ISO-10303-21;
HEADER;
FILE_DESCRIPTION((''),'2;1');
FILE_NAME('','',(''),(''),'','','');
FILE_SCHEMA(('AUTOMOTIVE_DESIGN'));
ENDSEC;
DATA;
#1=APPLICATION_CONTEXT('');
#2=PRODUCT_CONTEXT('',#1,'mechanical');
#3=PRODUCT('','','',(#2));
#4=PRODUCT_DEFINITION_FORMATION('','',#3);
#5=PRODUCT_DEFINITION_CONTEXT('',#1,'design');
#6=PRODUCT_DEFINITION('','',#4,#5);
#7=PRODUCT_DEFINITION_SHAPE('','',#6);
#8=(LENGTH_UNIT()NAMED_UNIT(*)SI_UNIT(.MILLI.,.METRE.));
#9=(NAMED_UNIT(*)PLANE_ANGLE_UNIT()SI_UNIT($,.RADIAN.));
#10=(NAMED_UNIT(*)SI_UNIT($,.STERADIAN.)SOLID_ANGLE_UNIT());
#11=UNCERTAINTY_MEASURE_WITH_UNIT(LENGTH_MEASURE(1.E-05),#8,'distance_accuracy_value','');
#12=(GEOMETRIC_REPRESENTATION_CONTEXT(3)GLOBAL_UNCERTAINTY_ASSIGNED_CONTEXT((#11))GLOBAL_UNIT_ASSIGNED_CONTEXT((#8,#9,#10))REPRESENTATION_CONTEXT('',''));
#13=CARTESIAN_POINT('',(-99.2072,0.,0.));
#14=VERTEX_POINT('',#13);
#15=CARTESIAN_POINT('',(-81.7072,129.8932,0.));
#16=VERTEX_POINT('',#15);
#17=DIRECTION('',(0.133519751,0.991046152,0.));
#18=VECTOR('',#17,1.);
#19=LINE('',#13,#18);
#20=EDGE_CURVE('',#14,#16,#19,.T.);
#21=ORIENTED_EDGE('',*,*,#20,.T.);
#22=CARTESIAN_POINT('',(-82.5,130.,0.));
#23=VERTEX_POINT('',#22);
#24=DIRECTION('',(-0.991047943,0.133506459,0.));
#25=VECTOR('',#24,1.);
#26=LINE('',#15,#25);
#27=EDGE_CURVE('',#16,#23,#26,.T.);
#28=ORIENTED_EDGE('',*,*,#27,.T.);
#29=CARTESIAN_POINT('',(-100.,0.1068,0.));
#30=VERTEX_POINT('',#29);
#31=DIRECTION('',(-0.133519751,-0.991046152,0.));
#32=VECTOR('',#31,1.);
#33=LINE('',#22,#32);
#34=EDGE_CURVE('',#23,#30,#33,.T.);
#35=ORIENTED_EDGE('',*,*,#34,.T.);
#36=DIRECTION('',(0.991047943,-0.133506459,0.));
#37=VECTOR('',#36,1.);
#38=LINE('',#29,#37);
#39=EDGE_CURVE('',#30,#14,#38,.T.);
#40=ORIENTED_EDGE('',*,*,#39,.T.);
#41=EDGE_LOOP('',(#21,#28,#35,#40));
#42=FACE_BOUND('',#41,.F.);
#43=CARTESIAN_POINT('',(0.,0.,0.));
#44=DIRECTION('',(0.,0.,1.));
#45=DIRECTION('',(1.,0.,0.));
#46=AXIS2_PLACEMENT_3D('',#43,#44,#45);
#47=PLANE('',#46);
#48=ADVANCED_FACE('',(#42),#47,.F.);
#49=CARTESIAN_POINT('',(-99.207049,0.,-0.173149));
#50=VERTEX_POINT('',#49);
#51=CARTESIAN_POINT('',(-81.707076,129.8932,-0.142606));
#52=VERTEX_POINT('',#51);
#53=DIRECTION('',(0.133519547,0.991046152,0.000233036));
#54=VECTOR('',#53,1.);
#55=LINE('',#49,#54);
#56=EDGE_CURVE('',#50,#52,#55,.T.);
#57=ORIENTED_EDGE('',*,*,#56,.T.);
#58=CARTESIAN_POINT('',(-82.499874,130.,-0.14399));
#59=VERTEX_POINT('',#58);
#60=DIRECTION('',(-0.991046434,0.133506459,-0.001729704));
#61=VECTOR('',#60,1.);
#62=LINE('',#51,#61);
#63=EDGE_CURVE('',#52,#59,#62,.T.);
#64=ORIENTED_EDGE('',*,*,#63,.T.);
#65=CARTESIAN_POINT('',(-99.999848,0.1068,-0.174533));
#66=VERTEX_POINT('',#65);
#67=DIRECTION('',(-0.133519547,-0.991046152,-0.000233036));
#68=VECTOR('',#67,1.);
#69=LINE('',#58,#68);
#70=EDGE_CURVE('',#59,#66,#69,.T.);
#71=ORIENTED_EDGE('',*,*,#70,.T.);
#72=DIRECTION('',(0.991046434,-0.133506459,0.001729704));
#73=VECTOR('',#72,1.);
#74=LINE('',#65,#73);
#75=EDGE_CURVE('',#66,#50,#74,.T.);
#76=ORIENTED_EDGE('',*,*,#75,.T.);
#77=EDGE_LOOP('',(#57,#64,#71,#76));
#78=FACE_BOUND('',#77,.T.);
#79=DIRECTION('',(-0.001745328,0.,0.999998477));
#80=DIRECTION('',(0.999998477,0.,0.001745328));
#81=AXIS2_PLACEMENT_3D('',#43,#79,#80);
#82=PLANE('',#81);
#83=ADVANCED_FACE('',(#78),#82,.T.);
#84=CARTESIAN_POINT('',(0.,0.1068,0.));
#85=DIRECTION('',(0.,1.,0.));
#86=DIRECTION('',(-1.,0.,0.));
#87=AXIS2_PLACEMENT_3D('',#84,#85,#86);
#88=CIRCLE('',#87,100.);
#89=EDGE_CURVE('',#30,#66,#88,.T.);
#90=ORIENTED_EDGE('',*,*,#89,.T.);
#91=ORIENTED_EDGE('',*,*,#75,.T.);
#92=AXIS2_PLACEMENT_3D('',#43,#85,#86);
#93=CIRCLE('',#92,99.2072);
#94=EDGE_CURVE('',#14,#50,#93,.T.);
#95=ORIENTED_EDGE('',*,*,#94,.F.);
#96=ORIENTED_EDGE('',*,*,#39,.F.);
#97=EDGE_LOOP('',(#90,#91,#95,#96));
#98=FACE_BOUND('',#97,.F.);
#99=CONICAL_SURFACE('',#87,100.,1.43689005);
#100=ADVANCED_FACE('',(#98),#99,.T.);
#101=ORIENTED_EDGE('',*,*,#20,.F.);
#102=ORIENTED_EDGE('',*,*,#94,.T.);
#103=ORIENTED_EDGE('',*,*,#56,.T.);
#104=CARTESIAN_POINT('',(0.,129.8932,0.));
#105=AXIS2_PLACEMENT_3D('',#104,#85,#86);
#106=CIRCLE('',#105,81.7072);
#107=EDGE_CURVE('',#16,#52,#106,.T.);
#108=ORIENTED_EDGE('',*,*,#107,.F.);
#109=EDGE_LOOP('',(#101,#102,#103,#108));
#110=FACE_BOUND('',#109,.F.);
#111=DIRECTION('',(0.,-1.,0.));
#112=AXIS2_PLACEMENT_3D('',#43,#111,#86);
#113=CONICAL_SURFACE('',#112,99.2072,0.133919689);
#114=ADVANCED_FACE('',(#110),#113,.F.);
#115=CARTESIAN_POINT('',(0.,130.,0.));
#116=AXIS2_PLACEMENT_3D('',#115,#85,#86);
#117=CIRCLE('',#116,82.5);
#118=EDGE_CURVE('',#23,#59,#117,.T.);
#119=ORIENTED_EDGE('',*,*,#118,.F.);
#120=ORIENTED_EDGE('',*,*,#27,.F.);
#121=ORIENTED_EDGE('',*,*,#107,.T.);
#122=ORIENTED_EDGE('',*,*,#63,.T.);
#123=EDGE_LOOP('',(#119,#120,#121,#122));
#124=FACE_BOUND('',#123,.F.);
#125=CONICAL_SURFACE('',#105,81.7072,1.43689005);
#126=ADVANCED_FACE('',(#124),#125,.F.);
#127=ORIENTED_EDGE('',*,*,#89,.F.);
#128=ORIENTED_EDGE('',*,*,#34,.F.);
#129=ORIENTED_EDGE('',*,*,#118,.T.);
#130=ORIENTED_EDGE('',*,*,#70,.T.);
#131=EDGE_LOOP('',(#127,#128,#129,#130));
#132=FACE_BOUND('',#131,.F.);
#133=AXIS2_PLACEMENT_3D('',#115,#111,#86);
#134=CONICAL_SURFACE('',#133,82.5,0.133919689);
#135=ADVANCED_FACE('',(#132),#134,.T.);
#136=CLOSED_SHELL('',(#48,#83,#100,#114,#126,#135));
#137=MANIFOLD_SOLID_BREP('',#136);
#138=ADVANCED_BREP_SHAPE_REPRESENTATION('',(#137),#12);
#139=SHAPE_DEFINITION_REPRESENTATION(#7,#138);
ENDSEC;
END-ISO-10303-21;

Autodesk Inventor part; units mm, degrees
ref_plane "YZ Plane" through (0, 0, 0) normal (1, 0, 0) x (0, 1, 0)
ref_plane "XZ Plane" through (0, 0, 0) normal (0, 1, 0) x (-1, 0, 0)
ref_plane "XY Plane" through (0, 0, 0) normal (0, 0, 1) x (1, 0, 0)
sketch "Sketch1" plane through (0, 0, 0) normal (0, 0, 1) x (1, 0, 0)
  line L0 (0, 0) -> (0, 130)
  line L1 (-82.5, 130) -> (-100, 0.1068)
  line L2 (-100, 0.1068) -> (-99.2072, 0)
  line L3 (-99.2072, 0) -> (-81.7072, 129.8932)
  line L4 (-81.7072, 129.8932) -> (-82.5, 130)
  line L5 (-82.5, 130) -> (-99.2072, 0) construction
  line L6 (-100, 0.1068) -> (-81.7072, 129.8932) construction
  point P0 (-90.8536, 65)
  dimension "d0" = 130
  dimension "d4" = 200
  dimension "d6" = 165
  dimension "d7" = 0.8
revolve "Revolution1" add sketch "Sketch1" angle 359.9 about axis through (0, 0, 0) along (0, 1, 0)
equation "\"d7\" = Thickness"
equation "\"BendRadius\" = Thickness"
equation "\"BendReliefWidth\" = Thickness"
equation "\"BendReliefDepth\" = 0.5 * Thickness"
equation "\"CornerReliefSize\" = 4 * Thickness"
equation "\"MinimumRemnant\" = 2 * Thickness"
equation "\"TransitionRadius\" = BendRadius"
equation "\"JacobiRadiusSize\" = BendRadius"
equation "\"GapSize\" = Thickness"
equation "\"Thickness\" = 0.8"
properties part number "MSC 101 roсket tail" material "Stainless Steel"
